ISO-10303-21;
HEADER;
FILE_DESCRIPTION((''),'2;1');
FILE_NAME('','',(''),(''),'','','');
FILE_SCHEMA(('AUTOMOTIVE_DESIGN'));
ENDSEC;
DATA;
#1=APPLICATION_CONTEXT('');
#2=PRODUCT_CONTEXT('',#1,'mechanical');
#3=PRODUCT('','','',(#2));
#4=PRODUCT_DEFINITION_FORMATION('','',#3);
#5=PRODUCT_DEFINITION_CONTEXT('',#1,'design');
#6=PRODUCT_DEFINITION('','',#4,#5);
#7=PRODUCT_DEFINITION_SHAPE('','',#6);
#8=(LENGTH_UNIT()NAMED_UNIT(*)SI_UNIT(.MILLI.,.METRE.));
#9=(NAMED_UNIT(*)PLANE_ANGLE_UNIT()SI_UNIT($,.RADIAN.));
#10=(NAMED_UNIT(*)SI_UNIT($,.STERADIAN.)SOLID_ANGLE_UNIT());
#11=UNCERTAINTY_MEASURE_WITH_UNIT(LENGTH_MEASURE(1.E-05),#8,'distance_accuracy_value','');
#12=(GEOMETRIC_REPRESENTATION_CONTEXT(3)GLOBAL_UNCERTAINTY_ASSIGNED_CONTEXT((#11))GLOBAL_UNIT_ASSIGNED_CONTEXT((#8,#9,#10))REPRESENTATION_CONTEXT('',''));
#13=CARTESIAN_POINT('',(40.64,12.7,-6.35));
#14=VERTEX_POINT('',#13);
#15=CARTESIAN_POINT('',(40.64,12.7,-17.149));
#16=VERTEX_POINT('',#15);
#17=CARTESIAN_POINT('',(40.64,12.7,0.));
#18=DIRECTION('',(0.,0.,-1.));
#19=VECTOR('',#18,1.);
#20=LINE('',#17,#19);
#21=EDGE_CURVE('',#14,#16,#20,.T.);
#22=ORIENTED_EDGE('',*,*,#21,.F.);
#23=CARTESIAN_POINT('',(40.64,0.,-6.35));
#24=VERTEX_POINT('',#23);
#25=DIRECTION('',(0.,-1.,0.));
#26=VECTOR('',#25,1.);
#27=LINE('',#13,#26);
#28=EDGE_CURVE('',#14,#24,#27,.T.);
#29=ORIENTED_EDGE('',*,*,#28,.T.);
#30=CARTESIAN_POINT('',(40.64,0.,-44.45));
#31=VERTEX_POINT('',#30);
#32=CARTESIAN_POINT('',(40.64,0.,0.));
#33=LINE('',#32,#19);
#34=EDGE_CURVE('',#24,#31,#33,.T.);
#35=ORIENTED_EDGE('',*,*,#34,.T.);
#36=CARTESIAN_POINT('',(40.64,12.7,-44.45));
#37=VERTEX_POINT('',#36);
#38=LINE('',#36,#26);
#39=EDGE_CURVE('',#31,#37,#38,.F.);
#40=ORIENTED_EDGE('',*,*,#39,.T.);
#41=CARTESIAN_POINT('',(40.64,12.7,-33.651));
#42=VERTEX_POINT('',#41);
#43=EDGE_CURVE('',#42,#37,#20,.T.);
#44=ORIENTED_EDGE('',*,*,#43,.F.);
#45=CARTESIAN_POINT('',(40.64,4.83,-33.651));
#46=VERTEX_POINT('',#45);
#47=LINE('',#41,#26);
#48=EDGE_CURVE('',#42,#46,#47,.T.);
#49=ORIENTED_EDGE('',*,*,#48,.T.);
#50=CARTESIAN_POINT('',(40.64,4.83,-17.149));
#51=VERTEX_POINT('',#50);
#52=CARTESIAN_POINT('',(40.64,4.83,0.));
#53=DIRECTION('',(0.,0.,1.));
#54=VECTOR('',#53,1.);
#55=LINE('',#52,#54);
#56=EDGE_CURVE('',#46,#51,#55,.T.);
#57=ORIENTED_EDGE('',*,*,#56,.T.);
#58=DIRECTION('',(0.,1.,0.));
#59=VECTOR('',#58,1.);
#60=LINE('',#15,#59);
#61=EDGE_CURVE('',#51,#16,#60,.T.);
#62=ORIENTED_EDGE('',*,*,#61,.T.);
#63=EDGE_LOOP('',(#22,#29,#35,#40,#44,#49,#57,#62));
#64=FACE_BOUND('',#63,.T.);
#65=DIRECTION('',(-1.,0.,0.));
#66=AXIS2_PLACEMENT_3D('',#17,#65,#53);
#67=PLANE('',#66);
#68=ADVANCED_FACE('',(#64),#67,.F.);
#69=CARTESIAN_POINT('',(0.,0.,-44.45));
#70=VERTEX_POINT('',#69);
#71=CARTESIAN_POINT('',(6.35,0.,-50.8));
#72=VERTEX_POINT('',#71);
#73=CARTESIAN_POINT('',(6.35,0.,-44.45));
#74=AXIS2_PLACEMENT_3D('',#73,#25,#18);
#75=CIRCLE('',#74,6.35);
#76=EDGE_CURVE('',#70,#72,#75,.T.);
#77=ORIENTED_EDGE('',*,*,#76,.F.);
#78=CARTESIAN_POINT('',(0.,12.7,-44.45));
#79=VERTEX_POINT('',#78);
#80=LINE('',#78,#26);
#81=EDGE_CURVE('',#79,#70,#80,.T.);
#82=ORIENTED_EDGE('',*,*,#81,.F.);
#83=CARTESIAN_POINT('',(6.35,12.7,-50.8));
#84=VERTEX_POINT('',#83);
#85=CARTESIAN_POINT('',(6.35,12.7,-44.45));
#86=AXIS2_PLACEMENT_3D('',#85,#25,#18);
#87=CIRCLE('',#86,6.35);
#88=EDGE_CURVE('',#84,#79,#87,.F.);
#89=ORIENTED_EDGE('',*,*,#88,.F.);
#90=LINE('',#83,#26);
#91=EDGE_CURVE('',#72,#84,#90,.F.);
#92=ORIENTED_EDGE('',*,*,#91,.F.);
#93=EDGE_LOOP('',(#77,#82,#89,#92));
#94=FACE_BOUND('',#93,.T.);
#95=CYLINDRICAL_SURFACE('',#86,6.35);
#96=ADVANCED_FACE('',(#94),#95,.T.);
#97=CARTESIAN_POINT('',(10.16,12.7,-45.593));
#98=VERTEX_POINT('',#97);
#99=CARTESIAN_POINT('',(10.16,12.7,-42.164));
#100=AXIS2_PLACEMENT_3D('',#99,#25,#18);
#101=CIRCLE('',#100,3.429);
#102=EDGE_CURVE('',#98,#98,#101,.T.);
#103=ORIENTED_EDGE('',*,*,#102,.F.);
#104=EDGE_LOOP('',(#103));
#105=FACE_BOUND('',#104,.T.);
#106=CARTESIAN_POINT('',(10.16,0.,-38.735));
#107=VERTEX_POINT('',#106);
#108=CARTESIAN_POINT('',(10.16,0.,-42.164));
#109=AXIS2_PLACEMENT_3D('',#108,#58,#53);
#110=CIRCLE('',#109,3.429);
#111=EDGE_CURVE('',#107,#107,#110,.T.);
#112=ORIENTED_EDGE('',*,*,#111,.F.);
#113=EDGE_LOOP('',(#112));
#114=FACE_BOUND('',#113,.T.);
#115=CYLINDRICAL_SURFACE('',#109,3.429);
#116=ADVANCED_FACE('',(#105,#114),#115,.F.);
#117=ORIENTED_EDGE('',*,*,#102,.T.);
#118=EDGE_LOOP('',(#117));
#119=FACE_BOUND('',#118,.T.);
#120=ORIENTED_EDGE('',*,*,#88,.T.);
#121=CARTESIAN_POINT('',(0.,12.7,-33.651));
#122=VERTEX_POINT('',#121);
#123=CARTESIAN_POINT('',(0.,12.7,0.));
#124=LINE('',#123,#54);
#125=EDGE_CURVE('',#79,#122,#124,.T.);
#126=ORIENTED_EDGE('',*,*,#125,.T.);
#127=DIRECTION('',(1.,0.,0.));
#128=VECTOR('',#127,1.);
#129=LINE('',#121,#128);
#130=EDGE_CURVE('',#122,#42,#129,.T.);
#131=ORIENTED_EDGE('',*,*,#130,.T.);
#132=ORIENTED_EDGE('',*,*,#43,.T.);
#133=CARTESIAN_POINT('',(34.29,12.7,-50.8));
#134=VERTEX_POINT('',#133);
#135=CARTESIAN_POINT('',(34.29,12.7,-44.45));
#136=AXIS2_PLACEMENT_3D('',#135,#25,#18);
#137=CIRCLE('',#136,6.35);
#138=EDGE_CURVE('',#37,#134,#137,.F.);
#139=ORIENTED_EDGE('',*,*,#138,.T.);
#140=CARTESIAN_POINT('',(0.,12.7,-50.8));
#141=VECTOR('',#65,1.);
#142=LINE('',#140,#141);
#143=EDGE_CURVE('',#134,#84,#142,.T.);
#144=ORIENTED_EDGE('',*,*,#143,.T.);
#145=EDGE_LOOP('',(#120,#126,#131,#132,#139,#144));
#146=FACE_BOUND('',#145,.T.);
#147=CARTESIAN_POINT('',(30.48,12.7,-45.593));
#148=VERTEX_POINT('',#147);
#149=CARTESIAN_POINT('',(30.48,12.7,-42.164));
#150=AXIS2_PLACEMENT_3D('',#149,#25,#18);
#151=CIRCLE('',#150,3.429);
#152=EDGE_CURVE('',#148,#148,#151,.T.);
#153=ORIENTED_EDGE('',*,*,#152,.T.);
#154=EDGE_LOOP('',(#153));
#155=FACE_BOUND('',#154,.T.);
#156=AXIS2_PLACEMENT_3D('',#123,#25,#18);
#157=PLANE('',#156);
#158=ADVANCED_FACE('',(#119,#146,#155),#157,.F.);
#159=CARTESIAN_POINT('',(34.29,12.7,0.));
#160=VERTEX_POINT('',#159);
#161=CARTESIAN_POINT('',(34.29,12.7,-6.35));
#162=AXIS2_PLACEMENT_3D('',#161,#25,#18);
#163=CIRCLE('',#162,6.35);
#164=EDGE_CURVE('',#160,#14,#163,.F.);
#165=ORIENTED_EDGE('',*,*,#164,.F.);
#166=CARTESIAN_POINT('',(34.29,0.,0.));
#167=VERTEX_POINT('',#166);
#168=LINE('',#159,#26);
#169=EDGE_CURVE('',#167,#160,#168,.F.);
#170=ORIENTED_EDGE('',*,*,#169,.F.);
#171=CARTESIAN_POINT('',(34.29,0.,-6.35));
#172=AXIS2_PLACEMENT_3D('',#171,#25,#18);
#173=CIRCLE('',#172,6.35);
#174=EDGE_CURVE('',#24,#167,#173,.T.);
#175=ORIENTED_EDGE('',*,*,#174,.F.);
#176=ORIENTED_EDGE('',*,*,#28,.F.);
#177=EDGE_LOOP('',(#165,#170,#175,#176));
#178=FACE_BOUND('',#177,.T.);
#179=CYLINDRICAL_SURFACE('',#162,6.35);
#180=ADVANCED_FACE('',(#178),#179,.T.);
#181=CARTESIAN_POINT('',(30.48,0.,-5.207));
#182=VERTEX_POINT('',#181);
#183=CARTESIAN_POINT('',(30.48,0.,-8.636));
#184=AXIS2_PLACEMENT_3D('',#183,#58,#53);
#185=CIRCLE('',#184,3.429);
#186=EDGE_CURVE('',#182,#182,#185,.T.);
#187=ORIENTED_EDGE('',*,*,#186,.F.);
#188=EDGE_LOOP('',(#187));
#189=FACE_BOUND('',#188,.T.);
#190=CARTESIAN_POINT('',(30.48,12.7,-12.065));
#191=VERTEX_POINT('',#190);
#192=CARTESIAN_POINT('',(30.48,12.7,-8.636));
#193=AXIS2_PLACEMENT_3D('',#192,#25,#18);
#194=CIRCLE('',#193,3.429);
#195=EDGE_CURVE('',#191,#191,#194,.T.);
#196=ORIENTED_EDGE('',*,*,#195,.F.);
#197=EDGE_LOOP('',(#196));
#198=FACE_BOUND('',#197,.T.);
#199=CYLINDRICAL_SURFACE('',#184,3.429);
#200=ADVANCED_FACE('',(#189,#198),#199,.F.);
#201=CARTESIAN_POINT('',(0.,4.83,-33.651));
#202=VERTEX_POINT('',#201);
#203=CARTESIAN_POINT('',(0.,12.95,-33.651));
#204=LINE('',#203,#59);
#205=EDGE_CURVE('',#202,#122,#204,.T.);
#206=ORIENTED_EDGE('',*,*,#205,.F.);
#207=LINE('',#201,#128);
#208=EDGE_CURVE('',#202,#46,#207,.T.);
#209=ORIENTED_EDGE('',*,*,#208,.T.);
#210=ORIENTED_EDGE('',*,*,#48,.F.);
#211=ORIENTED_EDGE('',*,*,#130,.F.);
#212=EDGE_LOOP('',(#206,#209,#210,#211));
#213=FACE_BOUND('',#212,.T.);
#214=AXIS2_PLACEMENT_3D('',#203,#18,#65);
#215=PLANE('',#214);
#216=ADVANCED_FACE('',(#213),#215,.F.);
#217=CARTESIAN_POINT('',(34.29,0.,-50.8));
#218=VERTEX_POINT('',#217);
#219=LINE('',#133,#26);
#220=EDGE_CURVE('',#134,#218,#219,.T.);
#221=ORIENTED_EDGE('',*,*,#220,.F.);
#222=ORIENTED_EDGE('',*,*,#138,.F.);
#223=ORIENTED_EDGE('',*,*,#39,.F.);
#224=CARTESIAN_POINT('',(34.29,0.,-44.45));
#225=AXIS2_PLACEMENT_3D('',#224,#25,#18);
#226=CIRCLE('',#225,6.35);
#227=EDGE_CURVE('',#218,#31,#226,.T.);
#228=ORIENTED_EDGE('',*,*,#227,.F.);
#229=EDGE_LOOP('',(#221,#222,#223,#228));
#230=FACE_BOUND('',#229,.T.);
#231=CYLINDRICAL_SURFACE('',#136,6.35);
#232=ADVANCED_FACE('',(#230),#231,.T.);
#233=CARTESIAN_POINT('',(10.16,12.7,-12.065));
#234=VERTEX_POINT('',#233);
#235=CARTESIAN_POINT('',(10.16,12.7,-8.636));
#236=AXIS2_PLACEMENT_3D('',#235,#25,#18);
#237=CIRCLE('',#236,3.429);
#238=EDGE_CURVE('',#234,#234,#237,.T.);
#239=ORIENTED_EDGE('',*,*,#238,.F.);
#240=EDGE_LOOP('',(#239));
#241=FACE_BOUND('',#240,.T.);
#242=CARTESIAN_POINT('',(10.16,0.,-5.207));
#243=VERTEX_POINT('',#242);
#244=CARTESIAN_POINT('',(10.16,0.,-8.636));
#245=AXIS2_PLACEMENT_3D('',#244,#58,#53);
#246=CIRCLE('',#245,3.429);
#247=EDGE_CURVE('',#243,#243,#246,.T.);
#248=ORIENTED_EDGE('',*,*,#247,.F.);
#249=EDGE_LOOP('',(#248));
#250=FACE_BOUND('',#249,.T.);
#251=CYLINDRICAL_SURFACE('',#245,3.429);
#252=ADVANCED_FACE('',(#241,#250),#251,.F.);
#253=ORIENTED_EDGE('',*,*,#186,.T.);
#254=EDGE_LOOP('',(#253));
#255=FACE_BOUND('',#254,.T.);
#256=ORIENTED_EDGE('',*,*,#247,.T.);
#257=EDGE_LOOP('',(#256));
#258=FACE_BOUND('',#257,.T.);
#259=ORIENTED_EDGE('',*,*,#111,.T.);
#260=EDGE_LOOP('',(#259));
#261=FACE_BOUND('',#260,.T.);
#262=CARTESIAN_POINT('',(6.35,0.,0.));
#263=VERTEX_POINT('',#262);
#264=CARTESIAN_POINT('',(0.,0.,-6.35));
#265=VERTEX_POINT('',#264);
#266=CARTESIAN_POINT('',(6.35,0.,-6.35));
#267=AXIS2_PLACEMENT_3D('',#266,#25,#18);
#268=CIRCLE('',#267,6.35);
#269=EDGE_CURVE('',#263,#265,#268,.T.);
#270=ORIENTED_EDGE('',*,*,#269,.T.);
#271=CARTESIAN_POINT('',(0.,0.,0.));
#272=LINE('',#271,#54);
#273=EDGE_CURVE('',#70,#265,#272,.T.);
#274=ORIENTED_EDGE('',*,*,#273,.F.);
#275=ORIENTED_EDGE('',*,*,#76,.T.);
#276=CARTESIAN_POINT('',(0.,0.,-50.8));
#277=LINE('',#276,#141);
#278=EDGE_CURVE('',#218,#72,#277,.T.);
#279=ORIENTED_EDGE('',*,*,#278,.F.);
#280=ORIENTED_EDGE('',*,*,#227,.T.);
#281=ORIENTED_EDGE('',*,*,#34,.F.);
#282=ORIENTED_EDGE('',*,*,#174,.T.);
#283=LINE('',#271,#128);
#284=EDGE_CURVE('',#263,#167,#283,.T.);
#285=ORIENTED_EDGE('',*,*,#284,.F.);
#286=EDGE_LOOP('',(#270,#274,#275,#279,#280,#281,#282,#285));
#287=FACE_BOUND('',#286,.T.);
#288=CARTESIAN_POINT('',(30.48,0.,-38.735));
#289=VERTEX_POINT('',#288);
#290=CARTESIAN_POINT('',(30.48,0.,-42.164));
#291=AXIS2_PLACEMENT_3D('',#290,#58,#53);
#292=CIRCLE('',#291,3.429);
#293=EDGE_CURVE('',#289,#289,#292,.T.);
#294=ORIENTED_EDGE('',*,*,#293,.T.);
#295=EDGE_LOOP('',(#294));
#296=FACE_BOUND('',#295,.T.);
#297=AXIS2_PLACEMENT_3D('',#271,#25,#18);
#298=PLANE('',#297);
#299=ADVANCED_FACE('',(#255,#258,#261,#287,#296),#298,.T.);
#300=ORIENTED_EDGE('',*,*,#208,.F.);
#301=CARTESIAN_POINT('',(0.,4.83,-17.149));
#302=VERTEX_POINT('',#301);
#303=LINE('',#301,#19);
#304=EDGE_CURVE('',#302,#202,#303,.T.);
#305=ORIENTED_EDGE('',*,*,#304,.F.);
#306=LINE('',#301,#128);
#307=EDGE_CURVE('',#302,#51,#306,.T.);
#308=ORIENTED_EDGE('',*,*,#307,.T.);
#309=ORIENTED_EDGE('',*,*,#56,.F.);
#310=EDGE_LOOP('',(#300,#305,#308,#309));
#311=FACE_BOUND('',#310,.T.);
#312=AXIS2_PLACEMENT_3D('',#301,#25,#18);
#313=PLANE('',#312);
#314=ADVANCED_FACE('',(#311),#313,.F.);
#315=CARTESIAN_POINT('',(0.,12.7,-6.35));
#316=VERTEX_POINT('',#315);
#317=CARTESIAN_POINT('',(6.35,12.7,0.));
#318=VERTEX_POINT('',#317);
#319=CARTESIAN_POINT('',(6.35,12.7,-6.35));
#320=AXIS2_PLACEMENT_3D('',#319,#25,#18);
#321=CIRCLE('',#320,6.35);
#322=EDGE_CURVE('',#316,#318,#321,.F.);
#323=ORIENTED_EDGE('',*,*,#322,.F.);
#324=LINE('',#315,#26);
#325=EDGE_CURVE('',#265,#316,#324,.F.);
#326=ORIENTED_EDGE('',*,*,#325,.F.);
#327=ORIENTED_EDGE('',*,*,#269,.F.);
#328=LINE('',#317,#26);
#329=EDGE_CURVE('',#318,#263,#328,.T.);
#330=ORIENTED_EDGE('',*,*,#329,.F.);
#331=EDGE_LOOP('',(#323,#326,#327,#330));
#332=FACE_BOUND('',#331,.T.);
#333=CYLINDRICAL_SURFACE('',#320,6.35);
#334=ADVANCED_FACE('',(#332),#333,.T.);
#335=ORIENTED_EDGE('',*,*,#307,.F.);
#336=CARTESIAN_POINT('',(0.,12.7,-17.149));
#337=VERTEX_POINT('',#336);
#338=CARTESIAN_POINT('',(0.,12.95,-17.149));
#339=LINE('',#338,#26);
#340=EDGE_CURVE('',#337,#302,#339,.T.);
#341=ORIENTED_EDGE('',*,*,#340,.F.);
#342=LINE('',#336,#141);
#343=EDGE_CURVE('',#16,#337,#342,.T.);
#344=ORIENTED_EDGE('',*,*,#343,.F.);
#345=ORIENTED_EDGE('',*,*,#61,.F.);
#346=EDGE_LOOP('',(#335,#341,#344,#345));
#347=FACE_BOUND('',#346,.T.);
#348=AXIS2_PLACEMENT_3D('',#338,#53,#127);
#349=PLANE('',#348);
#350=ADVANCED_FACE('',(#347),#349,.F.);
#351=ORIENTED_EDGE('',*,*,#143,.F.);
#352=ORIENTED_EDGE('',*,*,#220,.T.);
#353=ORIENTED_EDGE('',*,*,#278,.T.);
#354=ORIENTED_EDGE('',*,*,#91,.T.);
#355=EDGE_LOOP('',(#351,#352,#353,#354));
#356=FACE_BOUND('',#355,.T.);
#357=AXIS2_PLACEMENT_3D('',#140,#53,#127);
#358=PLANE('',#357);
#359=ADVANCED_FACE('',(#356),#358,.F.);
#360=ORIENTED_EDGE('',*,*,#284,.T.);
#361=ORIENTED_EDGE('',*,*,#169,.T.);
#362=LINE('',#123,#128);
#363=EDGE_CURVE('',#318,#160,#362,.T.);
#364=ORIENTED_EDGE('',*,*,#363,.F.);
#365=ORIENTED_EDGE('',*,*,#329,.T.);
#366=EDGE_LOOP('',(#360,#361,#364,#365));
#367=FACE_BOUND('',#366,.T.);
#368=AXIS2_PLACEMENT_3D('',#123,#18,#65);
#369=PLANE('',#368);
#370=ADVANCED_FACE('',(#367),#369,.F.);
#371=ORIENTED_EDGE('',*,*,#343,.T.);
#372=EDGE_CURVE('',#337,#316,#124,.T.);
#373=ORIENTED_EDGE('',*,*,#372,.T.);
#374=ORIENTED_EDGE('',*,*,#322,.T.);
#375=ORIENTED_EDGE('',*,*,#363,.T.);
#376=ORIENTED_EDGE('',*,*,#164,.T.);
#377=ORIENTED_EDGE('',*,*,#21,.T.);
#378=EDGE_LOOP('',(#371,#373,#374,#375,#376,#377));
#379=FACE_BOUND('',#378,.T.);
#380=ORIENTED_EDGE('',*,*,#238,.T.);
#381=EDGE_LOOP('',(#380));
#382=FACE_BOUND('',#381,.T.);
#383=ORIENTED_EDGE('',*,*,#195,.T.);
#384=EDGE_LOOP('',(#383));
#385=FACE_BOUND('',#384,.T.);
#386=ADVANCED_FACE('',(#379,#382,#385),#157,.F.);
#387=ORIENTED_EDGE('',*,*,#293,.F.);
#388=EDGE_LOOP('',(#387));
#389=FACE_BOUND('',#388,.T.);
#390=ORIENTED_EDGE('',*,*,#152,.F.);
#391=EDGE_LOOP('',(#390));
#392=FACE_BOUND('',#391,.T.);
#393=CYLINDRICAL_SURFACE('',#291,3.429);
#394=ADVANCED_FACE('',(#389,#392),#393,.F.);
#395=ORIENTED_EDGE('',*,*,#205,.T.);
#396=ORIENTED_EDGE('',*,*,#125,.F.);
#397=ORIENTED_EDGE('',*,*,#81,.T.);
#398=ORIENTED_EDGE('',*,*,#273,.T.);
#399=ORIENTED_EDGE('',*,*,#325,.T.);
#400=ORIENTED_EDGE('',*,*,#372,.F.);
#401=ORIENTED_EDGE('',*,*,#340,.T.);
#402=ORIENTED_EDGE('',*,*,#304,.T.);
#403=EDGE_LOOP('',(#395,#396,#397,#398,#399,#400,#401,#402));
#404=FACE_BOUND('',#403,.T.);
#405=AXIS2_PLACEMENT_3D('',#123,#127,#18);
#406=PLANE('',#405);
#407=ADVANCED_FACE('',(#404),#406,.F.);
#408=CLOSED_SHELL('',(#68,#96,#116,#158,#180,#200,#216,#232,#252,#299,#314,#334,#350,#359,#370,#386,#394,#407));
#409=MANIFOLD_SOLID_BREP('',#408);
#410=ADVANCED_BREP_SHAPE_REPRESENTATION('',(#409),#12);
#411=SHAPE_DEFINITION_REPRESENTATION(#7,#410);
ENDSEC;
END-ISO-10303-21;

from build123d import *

# Parameters (mm, degrees)
SKETCH1_W               = 40.64
SKETCH1_H               = 50.8
BOSS_EXTRUDE1_DEPTH     = 12.7
CUT_EXTRUDE1_DEPTH      = 67.283780822
CUT_EXTRUDE1_DEPTH_BACK = 67.283780822
SKETCH3_W               = 16.502
SKETCH3_H               = 8.12
CUT_EXTRUDE2_DEPTH      = 67.283780822
CUT_EXTRUDE2_DEPTH_BACK = 67.283780822
SKETCH5_R               = 3.429
FILLET1_R               = 6.35


with BuildPart() as part:
    # Sketch1 → Boss-Extrude1 (new body)
    with BuildSketch(Plane(origin=(0, 0, 0), x_dir=(1, 0, 0), z_dir=(0, 1, 0))):
        with Locations((20.32, 25.4)):
            Rectangle(SKETCH1_W, SKETCH1_H)
    extrude(amount=BOSS_EXTRUDE1_DEPTH)

    # Sketch3 → Cut-Extrude1 (cut, two sides: drawn at the far end of the back side and taken through both)
    with BuildSketch(Plane(origin=(40.64, 0, 0), x_dir=(0, 0, -1), z_dir=(1, 0, 0)).offset(-CUT_EXTRUDE1_DEPTH_BACK)):
        with Locations((25.4, 8.89)):
            Rectangle(SKETCH3_W, SKETCH3_H)
    extrude(amount=CUT_EXTRUDE1_DEPTH + CUT_EXTRUDE1_DEPTH_BACK, mode=Mode.SUBTRACT)

    # Sketch5 → Cut-Extrude2 (cut, two sides: drawn at the far end of the back side and taken through both)
    with BuildSketch(Plane(origin=(0, 12.7, 0), x_dir=(1, 0, 0), z_dir=(0, 1, 0)).offset(-CUT_EXTRUDE2_DEPTH_BACK)):
        with Locations(Location((10.16, 8.636, 0), (0, 0, 270))):
            Circle(SKETCH5_R)
        with Locations(Location((30.48, 8.636, 0), (0, 0, 270))):
            Circle(SKETCH5_R)
        with Locations(Location((30.48, 42.164, 0), (0, 0, 270))):
            Circle(SKETCH5_R)
        with Locations(Location((10.16, 42.164, 0), (0, 0, 270))):
            Circle(SKETCH5_R)
    extrude(amount=CUT_EXTRUDE2_DEPTH + CUT_EXTRUDE2_DEPTH_BACK, mode=Mode.SUBTRACT)

    # Fillet1
    fillet1_edges = [part.edges().sort_by_distance(p)[0] for p in [
        (0, 6.35, -50.8),
        (40.64, 6.35, -50.8),
        (40.64, 6.35, 0),
        (0, 6.35, 0),
    ]]
    fillet(fillet1_edges, radius=FILLET1_R)


solid = part.part
